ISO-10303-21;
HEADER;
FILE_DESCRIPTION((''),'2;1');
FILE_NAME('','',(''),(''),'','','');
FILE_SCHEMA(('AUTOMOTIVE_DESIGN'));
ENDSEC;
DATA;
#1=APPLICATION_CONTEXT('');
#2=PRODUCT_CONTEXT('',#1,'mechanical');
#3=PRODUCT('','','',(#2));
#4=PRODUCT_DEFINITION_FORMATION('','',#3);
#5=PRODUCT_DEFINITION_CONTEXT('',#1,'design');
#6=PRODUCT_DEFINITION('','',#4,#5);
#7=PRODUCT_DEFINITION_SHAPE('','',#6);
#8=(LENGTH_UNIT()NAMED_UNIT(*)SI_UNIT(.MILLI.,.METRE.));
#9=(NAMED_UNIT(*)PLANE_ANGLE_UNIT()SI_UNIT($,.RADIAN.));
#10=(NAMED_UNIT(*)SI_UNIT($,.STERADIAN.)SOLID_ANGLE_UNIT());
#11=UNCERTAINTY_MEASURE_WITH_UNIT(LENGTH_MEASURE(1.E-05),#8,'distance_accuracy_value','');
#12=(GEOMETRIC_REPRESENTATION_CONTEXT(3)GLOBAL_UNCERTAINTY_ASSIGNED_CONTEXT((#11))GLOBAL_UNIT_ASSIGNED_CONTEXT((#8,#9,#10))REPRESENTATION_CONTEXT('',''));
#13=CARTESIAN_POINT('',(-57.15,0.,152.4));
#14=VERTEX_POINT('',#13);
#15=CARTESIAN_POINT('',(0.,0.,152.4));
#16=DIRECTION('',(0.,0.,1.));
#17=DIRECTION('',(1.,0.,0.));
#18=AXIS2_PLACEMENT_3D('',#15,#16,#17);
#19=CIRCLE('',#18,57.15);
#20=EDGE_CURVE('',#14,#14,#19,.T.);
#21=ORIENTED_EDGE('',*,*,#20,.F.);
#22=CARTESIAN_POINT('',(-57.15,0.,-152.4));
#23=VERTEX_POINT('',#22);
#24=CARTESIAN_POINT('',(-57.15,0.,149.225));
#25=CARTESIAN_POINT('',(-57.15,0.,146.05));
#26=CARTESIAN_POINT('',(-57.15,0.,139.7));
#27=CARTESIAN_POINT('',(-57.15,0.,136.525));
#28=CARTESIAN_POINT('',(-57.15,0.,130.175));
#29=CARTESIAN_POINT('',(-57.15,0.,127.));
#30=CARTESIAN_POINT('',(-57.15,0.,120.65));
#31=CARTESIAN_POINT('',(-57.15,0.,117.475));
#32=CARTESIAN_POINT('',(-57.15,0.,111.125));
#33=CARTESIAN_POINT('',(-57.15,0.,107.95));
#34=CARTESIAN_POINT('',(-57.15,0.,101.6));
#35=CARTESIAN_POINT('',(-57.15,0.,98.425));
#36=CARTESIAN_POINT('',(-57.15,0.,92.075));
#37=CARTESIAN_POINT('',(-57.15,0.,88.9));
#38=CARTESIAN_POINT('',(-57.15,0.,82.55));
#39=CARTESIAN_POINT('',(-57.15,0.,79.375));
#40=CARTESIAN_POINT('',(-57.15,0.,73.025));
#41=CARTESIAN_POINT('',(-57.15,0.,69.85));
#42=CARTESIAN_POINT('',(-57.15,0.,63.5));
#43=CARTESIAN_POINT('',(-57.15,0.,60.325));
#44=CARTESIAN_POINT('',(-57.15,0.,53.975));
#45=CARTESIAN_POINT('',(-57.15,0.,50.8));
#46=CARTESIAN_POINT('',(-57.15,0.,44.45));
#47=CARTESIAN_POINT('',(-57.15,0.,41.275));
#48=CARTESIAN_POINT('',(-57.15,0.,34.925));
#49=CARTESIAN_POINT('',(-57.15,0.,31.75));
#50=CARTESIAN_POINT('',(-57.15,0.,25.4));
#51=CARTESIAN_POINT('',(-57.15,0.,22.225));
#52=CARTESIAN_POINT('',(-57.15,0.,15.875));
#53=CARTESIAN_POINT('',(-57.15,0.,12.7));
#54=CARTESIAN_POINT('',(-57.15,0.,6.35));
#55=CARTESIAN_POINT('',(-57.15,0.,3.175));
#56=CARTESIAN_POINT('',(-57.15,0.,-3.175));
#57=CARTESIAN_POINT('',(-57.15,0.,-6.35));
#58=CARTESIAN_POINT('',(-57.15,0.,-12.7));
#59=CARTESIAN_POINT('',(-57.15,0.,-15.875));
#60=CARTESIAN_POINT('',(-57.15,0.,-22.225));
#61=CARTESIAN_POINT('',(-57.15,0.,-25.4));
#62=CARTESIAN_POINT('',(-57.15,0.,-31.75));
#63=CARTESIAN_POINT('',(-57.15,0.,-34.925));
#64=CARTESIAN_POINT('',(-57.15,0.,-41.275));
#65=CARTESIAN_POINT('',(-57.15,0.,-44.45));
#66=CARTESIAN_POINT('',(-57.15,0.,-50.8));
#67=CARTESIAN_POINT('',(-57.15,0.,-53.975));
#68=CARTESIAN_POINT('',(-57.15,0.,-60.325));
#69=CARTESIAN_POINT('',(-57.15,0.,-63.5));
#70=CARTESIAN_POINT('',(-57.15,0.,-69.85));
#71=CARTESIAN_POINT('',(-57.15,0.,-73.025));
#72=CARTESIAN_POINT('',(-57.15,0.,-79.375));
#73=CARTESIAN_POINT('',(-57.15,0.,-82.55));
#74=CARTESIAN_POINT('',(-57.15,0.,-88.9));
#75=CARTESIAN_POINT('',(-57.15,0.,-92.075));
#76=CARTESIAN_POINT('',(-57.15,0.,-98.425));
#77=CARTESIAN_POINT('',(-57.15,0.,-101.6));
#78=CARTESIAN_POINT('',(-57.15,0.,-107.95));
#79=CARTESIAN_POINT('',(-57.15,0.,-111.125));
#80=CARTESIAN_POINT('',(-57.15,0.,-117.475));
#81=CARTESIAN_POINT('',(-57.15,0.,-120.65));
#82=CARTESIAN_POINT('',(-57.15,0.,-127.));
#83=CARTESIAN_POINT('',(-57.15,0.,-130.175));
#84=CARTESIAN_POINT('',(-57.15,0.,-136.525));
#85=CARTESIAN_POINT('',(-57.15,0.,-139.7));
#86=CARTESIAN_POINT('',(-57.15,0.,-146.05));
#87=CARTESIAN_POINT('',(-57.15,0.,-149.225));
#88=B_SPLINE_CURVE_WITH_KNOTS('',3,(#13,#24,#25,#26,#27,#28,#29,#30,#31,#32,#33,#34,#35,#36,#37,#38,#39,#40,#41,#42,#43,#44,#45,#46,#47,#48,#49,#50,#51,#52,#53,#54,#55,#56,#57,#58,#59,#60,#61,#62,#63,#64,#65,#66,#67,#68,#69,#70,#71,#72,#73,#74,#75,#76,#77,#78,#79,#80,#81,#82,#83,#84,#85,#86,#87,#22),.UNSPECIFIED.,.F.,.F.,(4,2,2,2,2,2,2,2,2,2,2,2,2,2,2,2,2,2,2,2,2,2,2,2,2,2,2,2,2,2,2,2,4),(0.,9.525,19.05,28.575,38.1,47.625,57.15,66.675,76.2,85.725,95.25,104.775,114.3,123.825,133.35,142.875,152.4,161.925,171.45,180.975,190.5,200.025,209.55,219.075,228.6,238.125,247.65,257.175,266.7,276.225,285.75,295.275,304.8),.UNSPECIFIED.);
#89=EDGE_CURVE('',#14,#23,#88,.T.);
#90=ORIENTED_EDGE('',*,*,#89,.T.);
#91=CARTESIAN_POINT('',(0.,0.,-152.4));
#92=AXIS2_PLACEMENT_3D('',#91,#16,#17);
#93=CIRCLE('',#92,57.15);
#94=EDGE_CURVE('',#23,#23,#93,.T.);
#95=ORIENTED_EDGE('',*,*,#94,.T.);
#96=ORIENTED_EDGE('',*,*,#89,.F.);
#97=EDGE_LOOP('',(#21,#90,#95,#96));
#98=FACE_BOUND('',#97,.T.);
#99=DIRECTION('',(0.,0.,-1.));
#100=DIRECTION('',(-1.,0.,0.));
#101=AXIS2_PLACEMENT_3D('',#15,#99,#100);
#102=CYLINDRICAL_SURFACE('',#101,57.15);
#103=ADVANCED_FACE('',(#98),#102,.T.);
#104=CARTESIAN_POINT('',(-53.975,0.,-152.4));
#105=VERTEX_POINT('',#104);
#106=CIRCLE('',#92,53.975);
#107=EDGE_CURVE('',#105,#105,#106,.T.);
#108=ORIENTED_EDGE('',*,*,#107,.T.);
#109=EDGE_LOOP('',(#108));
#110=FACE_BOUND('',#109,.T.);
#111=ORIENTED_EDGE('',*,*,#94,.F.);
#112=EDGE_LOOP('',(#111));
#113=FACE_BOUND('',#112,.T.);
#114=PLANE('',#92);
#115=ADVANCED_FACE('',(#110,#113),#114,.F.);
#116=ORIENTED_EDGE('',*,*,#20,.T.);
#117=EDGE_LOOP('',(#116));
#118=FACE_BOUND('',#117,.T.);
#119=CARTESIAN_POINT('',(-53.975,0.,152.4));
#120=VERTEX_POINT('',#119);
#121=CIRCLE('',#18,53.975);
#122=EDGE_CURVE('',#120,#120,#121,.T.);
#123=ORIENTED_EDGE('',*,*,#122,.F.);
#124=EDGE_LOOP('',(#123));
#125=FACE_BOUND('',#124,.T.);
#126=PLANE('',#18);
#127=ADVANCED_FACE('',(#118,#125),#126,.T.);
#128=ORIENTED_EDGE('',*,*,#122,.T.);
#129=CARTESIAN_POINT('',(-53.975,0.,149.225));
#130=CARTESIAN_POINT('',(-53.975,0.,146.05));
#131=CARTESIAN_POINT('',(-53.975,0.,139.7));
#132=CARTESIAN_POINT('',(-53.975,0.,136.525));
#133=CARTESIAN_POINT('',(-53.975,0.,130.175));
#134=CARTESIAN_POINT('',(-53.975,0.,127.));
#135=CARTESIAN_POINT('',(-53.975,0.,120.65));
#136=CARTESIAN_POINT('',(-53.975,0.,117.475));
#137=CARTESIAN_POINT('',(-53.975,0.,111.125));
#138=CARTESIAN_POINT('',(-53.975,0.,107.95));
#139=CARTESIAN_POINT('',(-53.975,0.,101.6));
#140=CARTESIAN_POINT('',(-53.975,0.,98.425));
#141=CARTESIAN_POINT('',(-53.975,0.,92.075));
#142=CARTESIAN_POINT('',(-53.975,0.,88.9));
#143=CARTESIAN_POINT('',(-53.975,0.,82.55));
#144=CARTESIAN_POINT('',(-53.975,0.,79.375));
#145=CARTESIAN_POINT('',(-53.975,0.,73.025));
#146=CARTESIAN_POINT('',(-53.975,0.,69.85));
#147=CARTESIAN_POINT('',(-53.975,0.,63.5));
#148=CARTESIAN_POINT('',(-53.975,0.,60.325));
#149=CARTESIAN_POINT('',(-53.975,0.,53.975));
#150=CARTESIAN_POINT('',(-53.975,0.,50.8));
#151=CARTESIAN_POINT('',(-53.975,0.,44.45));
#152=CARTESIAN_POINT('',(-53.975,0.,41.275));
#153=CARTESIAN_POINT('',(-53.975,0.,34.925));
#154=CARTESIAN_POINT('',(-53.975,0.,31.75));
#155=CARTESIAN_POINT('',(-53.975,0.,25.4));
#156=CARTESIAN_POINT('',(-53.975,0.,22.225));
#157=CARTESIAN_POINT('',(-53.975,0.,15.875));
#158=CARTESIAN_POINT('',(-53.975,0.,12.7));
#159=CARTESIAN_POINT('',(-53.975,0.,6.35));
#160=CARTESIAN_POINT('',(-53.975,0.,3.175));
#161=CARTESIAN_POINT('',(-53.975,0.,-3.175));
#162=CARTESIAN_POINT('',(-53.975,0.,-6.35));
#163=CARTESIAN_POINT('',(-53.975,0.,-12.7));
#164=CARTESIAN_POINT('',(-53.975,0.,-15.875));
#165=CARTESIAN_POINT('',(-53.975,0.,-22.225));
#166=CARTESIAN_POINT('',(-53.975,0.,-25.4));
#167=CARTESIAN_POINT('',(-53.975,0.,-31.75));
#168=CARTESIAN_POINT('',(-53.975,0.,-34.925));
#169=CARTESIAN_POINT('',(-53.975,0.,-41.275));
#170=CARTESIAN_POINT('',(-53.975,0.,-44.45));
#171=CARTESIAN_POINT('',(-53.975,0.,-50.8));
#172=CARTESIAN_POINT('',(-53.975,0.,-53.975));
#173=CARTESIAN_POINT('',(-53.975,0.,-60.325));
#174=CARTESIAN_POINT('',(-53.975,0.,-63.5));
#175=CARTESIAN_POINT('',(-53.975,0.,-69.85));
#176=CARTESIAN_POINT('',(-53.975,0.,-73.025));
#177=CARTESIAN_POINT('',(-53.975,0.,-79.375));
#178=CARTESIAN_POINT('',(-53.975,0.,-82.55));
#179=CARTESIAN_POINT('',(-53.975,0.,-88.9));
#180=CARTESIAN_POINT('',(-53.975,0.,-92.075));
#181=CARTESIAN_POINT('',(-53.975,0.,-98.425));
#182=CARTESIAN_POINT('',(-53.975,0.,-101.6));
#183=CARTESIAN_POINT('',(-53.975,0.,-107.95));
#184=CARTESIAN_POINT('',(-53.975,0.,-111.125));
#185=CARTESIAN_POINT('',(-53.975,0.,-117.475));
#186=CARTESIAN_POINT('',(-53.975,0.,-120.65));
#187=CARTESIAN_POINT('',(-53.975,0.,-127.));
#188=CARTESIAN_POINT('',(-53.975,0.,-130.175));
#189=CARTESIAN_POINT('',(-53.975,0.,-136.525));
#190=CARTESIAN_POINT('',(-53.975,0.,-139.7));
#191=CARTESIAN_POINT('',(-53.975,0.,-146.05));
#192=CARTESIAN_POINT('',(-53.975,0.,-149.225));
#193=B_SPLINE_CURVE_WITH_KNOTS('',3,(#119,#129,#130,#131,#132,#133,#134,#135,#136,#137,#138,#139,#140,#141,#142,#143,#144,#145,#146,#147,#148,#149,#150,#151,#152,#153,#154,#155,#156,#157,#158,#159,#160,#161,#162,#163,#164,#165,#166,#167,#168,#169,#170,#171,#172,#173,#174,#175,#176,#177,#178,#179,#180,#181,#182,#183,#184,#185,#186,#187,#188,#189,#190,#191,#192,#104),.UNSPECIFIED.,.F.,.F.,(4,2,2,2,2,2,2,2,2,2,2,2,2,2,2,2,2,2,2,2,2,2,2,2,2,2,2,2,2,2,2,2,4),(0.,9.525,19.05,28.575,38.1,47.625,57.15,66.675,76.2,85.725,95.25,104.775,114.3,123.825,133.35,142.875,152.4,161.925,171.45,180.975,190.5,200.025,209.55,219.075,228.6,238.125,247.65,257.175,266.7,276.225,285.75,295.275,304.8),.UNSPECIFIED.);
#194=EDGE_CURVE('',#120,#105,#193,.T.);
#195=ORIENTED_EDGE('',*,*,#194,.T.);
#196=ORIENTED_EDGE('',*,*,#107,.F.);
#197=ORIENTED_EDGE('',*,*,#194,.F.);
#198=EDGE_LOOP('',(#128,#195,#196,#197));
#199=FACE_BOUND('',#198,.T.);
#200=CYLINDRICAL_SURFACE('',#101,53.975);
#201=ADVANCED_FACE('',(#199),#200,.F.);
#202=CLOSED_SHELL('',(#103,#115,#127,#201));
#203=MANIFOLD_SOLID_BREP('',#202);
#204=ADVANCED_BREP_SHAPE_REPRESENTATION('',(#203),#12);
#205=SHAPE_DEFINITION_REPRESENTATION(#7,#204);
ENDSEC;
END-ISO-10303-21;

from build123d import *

# Parameters (mm, degrees)
BOSS_EXTRUDE1_DEPTH      = 152.4
BOSS_EXTRUDE1_DEPTH_BACK = 152.4
SKETCH3_R                = 57.15
SKETCH3_R_2              = 53.975


with BuildPart() as part:
    # Sketch3 → Boss-Extrude1 (new, two sides: drawn at the far end of the back side and taken through both)
    with BuildSketch(Plane.XY.offset(-BOSS_EXTRUDE1_DEPTH_BACK)):
        with Locations(Location((0, 0, 0), (0, 0, 180))):
            Circle(SKETCH3_R)
        with Locations(Location((0, 0, 0), (0, 0, 180))):
            Circle(SKETCH3_R_2, mode=Mode.SUBTRACT)
    extrude(amount=BOSS_EXTRUDE1_DEPTH + BOSS_EXTRUDE1_DEPTH_BACK)


solid = part.part
